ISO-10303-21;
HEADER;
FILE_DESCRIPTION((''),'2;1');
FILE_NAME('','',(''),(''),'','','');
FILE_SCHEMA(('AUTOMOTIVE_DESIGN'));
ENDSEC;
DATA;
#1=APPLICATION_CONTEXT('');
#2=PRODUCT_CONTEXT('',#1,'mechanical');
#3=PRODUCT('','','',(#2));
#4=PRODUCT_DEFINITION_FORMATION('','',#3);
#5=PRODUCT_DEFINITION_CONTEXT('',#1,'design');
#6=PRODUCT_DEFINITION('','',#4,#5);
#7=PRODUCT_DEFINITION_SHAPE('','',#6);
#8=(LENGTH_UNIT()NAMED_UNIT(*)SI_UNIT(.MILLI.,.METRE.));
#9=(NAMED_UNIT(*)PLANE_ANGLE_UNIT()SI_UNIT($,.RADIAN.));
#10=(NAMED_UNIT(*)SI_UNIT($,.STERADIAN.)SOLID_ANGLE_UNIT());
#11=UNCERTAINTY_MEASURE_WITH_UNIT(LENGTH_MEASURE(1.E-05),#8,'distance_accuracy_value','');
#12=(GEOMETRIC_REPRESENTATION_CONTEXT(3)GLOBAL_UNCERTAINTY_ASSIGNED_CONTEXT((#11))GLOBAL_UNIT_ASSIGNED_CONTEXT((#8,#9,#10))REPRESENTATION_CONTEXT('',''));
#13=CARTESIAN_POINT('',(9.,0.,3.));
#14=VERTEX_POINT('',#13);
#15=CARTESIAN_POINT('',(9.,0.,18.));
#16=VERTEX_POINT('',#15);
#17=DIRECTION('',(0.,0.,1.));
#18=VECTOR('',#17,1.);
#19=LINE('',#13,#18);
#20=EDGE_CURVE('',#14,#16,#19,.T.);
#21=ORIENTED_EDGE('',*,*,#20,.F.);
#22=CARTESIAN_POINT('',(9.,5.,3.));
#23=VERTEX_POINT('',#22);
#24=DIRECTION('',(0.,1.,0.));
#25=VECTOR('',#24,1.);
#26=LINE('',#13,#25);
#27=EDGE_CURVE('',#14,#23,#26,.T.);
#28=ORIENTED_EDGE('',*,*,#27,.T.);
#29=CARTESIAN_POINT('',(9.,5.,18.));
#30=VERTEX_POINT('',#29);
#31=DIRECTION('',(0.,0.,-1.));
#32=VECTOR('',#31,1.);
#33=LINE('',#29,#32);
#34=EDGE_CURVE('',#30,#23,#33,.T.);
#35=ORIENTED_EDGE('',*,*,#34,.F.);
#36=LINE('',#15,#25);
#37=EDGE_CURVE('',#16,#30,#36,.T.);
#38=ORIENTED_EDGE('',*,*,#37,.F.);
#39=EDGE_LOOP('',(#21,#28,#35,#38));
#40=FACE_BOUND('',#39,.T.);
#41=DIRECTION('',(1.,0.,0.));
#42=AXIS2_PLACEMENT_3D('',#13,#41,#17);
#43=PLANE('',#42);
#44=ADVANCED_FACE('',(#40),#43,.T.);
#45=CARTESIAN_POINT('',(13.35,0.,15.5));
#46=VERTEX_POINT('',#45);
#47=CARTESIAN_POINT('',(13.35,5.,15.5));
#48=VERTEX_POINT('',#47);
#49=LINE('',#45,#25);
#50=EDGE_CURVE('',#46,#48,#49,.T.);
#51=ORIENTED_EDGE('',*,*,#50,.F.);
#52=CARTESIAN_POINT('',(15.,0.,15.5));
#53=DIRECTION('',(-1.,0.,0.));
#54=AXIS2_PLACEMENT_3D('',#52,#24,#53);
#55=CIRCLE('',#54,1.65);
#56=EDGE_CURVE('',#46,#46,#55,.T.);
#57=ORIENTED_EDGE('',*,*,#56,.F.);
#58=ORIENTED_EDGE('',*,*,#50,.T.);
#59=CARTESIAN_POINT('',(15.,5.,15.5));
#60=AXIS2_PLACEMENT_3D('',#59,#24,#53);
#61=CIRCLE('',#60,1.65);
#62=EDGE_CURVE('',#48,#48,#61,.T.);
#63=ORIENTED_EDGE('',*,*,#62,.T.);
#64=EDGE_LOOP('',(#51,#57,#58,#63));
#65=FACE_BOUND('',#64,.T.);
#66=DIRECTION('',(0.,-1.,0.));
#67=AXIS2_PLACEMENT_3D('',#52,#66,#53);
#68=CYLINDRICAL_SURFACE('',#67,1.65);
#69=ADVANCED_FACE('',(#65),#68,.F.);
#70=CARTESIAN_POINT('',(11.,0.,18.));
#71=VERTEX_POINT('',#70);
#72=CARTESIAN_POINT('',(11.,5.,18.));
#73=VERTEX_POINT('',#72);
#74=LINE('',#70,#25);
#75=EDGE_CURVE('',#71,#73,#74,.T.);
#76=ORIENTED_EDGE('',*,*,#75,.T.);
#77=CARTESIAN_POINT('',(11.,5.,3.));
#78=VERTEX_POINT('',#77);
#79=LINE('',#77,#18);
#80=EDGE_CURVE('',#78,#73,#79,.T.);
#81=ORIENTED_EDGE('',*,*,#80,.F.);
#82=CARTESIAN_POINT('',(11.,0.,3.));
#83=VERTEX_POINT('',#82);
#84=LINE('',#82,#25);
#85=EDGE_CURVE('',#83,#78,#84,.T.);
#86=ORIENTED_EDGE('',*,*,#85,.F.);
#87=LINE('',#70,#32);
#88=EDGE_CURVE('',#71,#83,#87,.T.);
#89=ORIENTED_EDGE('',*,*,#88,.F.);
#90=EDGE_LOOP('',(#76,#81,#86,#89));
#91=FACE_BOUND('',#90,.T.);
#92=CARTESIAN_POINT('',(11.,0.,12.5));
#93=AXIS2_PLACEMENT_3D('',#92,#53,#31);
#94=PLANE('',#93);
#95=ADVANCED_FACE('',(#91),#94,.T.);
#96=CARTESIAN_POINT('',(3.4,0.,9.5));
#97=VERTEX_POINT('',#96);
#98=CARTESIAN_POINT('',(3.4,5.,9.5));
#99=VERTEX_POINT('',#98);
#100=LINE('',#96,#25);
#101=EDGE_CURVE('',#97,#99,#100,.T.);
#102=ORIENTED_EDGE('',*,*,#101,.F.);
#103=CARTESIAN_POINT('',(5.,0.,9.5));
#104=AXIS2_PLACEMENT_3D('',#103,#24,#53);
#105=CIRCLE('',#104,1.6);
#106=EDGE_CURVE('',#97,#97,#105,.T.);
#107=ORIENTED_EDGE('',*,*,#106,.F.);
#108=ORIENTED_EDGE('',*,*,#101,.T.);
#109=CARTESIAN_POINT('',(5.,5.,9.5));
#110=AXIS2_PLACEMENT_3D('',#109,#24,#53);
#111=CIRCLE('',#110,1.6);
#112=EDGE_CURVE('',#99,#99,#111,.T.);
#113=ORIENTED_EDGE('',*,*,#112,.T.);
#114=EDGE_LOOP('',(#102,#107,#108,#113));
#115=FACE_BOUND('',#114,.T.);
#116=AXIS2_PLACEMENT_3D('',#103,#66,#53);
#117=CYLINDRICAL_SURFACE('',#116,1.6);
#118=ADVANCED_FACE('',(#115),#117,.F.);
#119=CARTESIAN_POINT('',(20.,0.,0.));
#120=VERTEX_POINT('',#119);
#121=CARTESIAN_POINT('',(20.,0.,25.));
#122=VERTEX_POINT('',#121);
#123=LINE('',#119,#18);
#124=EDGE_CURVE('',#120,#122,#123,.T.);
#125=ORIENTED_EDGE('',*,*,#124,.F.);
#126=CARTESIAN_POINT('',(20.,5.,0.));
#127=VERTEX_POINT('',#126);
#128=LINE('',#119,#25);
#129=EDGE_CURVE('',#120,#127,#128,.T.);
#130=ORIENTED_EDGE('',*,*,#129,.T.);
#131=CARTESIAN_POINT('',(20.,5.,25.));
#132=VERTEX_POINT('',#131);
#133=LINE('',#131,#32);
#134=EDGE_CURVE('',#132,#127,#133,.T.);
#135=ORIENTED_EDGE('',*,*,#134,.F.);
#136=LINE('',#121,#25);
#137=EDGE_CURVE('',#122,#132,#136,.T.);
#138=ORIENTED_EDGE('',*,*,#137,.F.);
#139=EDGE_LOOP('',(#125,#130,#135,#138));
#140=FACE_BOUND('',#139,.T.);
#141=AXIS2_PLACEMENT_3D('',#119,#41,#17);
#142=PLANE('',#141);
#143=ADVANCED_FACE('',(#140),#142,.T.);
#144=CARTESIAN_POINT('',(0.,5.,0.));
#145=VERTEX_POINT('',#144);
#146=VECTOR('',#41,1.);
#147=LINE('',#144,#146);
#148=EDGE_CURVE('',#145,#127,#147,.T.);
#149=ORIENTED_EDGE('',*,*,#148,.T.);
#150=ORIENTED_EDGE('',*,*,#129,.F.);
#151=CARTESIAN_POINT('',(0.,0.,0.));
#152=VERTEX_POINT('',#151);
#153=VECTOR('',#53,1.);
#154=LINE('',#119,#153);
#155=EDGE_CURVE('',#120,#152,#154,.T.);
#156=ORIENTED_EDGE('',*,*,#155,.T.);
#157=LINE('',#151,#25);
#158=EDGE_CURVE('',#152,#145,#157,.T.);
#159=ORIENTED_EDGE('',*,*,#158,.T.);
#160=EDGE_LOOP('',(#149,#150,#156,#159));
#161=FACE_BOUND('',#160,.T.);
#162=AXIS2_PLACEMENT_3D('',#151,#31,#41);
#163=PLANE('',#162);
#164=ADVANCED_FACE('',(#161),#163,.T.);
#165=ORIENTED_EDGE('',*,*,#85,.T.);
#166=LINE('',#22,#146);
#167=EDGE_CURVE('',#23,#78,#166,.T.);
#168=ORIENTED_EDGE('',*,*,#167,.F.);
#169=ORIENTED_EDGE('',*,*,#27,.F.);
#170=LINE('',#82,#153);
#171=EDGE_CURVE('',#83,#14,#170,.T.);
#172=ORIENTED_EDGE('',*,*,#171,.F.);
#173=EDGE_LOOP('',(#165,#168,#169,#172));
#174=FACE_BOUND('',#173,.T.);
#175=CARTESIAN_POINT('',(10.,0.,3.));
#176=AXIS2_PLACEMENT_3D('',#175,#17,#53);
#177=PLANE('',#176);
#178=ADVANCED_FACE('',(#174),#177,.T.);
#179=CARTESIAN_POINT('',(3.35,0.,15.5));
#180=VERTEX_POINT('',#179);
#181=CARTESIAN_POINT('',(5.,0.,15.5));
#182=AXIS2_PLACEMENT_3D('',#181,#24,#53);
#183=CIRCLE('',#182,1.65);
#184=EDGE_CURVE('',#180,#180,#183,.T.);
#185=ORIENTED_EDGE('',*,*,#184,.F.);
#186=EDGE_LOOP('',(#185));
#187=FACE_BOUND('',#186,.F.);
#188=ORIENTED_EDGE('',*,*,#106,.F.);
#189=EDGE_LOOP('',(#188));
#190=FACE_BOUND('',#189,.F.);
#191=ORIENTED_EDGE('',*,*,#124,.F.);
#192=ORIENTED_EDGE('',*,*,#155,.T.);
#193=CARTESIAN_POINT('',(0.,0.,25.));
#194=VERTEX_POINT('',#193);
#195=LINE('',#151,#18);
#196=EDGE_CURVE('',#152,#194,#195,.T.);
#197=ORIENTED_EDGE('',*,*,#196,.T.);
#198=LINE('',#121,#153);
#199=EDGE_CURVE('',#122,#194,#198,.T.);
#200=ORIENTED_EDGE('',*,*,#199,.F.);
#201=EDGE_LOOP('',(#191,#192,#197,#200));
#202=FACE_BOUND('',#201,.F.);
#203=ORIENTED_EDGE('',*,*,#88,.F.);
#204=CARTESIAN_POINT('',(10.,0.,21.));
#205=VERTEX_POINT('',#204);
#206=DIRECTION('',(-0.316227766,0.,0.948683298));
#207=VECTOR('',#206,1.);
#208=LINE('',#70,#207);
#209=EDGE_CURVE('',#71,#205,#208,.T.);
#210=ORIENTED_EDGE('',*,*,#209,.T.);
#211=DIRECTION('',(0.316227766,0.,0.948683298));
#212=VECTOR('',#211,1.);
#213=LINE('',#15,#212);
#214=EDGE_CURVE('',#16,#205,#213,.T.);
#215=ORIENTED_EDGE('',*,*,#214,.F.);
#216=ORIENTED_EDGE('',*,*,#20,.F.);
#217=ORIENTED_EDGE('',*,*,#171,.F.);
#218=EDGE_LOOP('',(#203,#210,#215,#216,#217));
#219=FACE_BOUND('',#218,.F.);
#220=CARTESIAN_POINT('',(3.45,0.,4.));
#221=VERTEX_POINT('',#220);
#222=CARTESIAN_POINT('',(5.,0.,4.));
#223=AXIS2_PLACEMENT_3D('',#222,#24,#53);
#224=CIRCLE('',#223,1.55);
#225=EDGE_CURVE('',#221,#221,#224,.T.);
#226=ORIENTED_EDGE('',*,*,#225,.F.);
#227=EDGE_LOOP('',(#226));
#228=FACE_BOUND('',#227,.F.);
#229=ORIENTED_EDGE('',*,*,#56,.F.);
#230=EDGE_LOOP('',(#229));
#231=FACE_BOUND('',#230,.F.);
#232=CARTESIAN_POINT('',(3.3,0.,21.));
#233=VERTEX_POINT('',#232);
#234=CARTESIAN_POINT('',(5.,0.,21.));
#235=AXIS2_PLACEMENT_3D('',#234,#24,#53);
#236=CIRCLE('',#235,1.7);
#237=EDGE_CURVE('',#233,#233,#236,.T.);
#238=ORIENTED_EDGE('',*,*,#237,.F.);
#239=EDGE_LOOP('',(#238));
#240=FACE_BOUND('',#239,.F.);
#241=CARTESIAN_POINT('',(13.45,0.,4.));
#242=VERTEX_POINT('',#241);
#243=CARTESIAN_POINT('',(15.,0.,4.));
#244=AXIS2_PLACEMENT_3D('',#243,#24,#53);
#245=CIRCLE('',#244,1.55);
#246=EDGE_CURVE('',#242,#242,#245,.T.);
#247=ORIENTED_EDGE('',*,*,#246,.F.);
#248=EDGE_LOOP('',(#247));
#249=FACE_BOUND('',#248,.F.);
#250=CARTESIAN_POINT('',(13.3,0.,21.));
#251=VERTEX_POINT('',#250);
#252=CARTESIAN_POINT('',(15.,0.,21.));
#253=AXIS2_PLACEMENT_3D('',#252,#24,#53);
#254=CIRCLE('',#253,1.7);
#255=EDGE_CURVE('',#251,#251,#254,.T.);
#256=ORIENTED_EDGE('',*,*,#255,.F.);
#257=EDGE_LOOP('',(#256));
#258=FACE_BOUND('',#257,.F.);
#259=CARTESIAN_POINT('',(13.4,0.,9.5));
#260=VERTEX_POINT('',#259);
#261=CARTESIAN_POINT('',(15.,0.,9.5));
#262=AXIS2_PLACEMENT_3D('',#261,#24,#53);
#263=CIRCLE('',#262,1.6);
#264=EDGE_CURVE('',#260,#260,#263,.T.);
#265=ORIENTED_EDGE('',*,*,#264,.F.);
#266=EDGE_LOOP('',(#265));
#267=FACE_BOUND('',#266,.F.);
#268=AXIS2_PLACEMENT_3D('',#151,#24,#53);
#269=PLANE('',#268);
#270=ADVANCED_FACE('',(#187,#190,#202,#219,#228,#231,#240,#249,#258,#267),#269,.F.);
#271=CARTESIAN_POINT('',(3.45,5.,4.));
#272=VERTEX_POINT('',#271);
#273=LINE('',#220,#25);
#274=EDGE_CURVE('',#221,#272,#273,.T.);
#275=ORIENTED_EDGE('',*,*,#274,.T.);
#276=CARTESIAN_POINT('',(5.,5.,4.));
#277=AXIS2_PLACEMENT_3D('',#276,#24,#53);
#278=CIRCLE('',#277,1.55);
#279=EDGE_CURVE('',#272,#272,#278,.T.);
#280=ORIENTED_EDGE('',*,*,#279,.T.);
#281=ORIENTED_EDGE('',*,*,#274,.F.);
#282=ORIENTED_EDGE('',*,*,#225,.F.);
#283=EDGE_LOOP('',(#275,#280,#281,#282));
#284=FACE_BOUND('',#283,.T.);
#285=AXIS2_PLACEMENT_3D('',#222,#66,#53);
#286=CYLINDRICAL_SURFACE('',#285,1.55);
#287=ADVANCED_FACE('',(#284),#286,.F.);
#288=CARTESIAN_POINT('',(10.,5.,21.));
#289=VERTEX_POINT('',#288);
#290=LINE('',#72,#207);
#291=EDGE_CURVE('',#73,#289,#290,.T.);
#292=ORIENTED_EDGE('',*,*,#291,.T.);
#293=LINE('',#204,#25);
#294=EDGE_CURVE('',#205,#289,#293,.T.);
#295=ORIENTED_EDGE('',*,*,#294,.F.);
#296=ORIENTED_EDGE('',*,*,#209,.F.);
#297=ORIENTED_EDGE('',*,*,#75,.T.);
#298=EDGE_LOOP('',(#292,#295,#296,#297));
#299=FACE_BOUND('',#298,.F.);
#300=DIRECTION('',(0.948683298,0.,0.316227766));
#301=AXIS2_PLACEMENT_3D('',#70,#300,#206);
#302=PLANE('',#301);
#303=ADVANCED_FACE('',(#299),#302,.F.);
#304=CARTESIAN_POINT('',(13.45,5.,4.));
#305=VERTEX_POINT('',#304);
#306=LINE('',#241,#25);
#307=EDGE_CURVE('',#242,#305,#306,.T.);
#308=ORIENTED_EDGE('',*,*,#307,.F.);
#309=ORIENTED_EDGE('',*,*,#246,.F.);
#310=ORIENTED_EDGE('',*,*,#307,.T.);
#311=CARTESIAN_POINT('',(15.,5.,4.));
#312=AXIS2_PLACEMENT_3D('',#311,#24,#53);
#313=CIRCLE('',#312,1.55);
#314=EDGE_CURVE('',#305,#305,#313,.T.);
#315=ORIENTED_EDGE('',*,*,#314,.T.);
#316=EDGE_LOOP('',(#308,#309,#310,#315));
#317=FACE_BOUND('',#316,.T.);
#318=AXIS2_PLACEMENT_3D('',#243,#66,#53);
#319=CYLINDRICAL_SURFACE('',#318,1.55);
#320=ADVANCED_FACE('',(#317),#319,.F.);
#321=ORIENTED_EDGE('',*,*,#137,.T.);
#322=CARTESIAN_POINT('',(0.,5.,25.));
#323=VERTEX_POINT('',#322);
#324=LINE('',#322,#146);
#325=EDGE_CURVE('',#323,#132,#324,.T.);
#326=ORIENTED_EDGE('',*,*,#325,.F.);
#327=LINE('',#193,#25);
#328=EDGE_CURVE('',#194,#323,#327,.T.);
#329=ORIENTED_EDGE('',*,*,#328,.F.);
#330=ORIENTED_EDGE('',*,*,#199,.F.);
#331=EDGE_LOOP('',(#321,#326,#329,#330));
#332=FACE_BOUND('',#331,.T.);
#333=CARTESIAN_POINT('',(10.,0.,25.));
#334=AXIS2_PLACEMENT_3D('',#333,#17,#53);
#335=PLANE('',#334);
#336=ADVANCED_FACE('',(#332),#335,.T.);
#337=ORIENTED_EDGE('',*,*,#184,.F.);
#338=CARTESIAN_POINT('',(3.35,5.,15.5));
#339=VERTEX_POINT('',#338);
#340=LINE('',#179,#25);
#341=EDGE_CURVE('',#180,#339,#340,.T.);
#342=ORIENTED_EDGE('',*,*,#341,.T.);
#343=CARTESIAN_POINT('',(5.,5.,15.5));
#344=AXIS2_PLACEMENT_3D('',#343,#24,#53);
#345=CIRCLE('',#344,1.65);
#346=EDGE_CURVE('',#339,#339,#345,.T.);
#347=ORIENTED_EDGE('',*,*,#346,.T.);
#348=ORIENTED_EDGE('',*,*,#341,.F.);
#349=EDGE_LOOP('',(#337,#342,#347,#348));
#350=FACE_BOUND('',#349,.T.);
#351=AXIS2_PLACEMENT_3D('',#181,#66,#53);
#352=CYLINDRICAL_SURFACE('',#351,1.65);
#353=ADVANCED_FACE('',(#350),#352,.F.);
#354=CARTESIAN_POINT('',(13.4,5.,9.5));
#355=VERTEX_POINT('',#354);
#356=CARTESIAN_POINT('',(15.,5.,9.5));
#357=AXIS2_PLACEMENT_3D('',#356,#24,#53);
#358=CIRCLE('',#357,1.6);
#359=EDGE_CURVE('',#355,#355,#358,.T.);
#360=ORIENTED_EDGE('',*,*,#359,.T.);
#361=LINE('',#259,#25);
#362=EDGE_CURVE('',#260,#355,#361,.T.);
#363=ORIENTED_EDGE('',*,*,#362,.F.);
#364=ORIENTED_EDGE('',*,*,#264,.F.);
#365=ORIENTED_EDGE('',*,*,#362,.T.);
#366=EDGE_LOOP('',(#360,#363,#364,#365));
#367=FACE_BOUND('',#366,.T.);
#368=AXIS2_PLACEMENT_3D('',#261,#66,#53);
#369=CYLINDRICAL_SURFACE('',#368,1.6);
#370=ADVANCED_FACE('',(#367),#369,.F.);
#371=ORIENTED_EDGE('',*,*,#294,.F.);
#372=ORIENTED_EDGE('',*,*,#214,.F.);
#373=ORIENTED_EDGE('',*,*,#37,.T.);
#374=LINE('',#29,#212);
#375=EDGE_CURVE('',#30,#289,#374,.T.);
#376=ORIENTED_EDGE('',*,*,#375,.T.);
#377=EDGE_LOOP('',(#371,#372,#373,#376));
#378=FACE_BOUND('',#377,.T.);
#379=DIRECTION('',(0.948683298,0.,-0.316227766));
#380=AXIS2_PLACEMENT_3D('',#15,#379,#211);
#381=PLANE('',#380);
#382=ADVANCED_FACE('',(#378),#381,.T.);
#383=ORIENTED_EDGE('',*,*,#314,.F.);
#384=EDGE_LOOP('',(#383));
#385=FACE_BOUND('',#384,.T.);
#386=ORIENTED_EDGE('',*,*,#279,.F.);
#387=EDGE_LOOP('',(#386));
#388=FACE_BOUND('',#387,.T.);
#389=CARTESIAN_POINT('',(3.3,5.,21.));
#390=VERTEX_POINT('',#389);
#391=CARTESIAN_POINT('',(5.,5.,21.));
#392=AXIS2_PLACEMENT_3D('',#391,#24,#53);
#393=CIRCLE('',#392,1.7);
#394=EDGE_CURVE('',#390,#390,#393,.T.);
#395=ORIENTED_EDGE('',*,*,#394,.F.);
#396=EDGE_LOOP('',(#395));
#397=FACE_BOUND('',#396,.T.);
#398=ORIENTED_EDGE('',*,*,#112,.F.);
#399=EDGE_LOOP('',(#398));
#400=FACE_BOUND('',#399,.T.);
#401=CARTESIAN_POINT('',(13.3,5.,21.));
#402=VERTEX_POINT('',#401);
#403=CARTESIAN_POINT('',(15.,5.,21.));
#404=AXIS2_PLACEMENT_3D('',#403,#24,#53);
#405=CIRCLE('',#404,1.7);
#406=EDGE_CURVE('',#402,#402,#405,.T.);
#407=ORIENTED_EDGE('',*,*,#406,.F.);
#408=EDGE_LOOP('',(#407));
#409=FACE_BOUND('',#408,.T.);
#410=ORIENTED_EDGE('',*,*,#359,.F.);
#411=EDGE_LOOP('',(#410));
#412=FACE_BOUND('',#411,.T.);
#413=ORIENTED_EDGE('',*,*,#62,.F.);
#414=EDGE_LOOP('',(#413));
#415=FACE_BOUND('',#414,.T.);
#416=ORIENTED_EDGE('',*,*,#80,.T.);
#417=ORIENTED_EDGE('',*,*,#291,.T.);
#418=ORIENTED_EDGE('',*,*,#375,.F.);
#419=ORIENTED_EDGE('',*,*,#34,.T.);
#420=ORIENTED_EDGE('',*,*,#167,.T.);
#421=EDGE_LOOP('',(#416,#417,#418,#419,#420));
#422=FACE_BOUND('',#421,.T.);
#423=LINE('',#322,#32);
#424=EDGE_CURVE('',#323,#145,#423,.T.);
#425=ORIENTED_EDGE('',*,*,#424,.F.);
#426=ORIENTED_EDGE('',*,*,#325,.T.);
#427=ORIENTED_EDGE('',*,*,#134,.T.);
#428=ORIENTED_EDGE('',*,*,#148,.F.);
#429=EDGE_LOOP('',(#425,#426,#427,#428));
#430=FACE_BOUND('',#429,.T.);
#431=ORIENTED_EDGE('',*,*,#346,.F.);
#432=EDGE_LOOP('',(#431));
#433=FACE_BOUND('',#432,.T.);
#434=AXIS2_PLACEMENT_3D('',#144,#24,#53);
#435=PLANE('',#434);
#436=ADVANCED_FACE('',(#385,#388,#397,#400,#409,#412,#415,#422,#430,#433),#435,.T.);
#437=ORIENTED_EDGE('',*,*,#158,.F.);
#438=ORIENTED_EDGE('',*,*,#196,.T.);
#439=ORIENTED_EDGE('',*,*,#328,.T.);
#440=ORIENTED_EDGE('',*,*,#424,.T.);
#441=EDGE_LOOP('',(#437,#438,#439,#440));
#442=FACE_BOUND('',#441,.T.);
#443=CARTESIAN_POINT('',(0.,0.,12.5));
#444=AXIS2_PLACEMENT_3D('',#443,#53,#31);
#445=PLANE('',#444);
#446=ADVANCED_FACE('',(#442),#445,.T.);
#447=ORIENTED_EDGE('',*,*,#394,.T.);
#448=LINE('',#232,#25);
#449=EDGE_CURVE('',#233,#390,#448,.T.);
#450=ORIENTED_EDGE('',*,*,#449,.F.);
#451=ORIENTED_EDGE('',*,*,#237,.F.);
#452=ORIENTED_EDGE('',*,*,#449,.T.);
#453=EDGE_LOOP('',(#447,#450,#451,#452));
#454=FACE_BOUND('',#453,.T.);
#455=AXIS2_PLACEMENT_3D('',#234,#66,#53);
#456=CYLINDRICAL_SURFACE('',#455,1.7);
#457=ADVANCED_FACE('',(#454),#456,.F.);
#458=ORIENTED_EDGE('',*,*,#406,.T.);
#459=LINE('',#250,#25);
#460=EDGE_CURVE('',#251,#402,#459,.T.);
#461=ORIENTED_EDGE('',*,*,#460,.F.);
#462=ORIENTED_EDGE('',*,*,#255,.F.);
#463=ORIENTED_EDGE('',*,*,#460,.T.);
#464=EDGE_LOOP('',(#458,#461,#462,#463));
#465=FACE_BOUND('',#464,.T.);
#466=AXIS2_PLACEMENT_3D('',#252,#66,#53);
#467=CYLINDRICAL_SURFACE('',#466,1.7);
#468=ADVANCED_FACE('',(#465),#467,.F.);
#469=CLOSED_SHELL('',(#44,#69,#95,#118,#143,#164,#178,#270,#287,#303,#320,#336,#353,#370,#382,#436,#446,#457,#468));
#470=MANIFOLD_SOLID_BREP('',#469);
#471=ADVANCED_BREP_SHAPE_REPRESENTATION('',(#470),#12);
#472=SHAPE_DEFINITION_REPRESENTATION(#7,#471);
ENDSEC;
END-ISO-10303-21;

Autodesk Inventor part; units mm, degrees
ref_plane "YZ Plane" through (0, 0, 0) normal (1, 0, 0) x (0, 1, 0)
ref_plane "XZ Plane" through (0, 0, 0) normal (0, 1, 0) x (-1, 0, 0)
ref_plane "XY Plane" through (0, 0, 0) normal (0, 0, 1) x (1, 0, 0)
sketch "草图1" plane through (0, 0, 0) normal (0, 1, 0) x (-1, 0, 0)
  line L0 (0, 0) -> (-20, 0)
  line L1 (-20, 0) -> (-20, 25)
  line L2 (-20, 25) -> (0, 25)
  line L3 (0, 25) -> (0, 0)
  circle A0 centre (-5, 15.5) radius 1.65
  circle A1 centre (-5, 9.5) radius 1.6
  circle A2 centre (-5, 4) radius 1.55
  circle A3 centre (-5, 21) radius 1.7
  line L4 (0, 12.5) -> (-20, 12.5)
  line L5 (-10, 0) -> (-10, 25)
  circle A4 centre (-15, 15.5) radius 1.65
  circle A5 centre (-15, 9.5) radius 1.6
  circle A6 centre (-15, 4) radius 1.55
  circle A7 centre (-15, 21) radius 1.7
  line L6 (-11, 3) -> (-9, 3)
  line L7 (-9, 3) -> (-9, 18)
  line L8 (-9, 18) -> (-11, 18)
  line L9 (-11, 18) -> (-11, 3)
  line L10 (-11, 18) -> (-10, 21)
  line L11 (-9, 18) -> (-10, 21)
  dimension "d0" = 20
  dimension "d1" = 25
  dimension "d2" = 3.3
  dimension "d3" = 3.2
  dimension "d4" = 3.1
  dimension "d5" = 3.4
  dimension "d6" = 4
  dimension "d7" = 5
  dimension "d9" = 3
  dimension "d10" = 5
  dimension "d11" = 5
  dimension "d12" = 3
  dimension "d13" = 5
  dimension "d14" = 4
  dimension "d17" = 2
  dimension "d18" = 15
  dimension "d19" = 9
  dimension "d20" = 3
  dimension "d21" = 3
extrude "拉伸1" add sketch "草图1" along normal blind 5 contours L0 L5 L6 L7 L4 L3 | L0 L1 L4 L9 L6 L5 | L4 L7 L11 L5 L2 L3 | L1 L2 L5 L10 L9 L4
properties part number "PAACF测试板"
